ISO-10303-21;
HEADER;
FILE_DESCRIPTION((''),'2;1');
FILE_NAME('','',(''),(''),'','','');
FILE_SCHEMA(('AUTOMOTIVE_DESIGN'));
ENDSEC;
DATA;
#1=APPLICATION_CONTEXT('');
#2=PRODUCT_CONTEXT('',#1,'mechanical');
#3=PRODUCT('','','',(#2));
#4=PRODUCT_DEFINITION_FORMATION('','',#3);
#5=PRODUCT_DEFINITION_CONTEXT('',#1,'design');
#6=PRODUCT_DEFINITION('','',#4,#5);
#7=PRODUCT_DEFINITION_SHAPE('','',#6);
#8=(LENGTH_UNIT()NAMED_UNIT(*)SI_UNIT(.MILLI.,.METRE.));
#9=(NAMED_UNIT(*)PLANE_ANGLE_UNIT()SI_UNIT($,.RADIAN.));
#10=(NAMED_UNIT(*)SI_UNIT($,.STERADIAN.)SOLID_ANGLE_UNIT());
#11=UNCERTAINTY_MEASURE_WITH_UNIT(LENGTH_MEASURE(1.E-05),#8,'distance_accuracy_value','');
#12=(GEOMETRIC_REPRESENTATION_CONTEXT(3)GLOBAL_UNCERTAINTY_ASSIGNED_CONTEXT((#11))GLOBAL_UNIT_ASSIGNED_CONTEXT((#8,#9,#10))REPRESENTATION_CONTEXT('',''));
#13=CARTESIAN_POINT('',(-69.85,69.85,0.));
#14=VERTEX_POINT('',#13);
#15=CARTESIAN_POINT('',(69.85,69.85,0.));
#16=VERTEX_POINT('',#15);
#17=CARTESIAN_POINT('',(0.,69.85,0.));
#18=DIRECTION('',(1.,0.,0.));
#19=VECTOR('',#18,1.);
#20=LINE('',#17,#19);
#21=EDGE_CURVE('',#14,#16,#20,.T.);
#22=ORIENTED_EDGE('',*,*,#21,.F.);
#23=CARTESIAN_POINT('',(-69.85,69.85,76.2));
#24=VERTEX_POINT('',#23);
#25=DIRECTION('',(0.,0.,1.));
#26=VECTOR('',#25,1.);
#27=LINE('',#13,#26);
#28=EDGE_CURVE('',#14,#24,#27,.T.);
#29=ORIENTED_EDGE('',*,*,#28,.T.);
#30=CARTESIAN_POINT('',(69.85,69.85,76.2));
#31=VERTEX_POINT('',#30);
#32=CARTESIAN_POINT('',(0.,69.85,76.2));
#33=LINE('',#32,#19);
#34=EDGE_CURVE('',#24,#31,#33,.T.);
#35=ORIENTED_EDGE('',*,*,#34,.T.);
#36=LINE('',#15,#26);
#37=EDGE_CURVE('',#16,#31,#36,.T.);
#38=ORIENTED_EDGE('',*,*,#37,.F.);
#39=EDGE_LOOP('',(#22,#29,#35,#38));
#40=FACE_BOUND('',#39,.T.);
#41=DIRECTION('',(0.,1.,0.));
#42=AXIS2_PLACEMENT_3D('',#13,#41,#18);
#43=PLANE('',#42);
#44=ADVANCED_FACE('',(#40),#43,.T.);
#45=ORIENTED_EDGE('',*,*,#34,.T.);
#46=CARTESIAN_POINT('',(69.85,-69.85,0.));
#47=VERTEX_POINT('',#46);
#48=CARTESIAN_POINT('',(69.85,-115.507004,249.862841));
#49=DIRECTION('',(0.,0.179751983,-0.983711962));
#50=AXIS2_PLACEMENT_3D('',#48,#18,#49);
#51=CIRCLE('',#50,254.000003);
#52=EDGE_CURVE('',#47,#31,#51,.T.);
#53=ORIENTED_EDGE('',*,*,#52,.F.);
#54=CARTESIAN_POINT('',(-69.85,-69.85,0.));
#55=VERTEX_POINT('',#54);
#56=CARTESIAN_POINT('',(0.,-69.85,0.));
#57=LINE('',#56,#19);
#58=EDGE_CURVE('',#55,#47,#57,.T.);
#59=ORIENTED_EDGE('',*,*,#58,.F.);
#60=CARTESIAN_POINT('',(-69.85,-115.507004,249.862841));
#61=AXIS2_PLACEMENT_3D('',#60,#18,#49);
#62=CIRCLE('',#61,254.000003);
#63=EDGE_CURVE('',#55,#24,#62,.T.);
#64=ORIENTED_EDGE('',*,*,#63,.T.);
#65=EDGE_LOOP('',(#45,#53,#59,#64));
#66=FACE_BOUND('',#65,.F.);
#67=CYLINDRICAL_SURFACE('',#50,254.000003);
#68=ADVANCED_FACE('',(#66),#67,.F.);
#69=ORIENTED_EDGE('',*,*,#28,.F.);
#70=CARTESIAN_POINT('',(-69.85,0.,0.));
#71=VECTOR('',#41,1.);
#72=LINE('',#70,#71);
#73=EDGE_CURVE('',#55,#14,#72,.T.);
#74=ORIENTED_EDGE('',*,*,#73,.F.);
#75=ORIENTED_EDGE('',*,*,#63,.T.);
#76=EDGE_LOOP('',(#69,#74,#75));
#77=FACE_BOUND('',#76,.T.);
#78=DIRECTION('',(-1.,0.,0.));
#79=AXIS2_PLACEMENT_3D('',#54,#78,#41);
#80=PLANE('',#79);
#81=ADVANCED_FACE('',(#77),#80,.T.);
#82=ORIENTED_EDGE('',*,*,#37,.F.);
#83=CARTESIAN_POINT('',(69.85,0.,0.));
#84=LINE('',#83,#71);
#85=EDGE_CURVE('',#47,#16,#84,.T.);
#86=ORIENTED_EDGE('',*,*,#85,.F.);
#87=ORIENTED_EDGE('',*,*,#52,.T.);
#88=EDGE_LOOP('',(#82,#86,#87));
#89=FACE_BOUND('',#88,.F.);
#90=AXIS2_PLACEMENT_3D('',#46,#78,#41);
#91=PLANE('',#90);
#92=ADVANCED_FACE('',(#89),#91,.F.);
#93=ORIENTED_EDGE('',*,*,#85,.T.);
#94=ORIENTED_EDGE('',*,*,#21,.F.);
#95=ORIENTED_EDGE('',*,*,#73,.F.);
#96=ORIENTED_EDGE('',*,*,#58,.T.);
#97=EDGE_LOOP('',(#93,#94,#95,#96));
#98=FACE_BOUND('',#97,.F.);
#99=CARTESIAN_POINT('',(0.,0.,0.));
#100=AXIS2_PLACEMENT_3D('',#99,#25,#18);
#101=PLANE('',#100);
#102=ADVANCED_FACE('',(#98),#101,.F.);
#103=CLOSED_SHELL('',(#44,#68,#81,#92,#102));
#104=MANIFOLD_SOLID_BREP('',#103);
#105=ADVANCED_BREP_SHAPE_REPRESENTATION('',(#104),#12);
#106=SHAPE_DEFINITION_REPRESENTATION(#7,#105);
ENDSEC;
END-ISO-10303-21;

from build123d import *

# Parameters (mm, degrees)
F0_W     = 139.7
F0_H     = 139.7
F1_DEPTH = 76.2
F3_DEPTH = 139.701


with BuildPart() as f1:
    # F0 (on Top) → F1 (new body)
    with BuildSketch(Plane.XY):
        Rectangle(F0_W, F0_H)
    extrude(amount=F1_DEPTH)

    # F2 (on face) → F3 (cut, through all)
    with BuildSketch(Plane.YZ.offset(69.85)):
        with BuildLine():
            Line((-69.85, 76.2), (-69.85, 0))
            ThreePointArc((-69.85, 0), (6.121438, 26.877363), (69.85, 76.2))
            Line((69.85, 76.2), (-69.85, 76.2))
        make_face()
    extrude(amount=-F3_DEPTH, mode=Mode.SUBTRACT)


solid = f1.part
